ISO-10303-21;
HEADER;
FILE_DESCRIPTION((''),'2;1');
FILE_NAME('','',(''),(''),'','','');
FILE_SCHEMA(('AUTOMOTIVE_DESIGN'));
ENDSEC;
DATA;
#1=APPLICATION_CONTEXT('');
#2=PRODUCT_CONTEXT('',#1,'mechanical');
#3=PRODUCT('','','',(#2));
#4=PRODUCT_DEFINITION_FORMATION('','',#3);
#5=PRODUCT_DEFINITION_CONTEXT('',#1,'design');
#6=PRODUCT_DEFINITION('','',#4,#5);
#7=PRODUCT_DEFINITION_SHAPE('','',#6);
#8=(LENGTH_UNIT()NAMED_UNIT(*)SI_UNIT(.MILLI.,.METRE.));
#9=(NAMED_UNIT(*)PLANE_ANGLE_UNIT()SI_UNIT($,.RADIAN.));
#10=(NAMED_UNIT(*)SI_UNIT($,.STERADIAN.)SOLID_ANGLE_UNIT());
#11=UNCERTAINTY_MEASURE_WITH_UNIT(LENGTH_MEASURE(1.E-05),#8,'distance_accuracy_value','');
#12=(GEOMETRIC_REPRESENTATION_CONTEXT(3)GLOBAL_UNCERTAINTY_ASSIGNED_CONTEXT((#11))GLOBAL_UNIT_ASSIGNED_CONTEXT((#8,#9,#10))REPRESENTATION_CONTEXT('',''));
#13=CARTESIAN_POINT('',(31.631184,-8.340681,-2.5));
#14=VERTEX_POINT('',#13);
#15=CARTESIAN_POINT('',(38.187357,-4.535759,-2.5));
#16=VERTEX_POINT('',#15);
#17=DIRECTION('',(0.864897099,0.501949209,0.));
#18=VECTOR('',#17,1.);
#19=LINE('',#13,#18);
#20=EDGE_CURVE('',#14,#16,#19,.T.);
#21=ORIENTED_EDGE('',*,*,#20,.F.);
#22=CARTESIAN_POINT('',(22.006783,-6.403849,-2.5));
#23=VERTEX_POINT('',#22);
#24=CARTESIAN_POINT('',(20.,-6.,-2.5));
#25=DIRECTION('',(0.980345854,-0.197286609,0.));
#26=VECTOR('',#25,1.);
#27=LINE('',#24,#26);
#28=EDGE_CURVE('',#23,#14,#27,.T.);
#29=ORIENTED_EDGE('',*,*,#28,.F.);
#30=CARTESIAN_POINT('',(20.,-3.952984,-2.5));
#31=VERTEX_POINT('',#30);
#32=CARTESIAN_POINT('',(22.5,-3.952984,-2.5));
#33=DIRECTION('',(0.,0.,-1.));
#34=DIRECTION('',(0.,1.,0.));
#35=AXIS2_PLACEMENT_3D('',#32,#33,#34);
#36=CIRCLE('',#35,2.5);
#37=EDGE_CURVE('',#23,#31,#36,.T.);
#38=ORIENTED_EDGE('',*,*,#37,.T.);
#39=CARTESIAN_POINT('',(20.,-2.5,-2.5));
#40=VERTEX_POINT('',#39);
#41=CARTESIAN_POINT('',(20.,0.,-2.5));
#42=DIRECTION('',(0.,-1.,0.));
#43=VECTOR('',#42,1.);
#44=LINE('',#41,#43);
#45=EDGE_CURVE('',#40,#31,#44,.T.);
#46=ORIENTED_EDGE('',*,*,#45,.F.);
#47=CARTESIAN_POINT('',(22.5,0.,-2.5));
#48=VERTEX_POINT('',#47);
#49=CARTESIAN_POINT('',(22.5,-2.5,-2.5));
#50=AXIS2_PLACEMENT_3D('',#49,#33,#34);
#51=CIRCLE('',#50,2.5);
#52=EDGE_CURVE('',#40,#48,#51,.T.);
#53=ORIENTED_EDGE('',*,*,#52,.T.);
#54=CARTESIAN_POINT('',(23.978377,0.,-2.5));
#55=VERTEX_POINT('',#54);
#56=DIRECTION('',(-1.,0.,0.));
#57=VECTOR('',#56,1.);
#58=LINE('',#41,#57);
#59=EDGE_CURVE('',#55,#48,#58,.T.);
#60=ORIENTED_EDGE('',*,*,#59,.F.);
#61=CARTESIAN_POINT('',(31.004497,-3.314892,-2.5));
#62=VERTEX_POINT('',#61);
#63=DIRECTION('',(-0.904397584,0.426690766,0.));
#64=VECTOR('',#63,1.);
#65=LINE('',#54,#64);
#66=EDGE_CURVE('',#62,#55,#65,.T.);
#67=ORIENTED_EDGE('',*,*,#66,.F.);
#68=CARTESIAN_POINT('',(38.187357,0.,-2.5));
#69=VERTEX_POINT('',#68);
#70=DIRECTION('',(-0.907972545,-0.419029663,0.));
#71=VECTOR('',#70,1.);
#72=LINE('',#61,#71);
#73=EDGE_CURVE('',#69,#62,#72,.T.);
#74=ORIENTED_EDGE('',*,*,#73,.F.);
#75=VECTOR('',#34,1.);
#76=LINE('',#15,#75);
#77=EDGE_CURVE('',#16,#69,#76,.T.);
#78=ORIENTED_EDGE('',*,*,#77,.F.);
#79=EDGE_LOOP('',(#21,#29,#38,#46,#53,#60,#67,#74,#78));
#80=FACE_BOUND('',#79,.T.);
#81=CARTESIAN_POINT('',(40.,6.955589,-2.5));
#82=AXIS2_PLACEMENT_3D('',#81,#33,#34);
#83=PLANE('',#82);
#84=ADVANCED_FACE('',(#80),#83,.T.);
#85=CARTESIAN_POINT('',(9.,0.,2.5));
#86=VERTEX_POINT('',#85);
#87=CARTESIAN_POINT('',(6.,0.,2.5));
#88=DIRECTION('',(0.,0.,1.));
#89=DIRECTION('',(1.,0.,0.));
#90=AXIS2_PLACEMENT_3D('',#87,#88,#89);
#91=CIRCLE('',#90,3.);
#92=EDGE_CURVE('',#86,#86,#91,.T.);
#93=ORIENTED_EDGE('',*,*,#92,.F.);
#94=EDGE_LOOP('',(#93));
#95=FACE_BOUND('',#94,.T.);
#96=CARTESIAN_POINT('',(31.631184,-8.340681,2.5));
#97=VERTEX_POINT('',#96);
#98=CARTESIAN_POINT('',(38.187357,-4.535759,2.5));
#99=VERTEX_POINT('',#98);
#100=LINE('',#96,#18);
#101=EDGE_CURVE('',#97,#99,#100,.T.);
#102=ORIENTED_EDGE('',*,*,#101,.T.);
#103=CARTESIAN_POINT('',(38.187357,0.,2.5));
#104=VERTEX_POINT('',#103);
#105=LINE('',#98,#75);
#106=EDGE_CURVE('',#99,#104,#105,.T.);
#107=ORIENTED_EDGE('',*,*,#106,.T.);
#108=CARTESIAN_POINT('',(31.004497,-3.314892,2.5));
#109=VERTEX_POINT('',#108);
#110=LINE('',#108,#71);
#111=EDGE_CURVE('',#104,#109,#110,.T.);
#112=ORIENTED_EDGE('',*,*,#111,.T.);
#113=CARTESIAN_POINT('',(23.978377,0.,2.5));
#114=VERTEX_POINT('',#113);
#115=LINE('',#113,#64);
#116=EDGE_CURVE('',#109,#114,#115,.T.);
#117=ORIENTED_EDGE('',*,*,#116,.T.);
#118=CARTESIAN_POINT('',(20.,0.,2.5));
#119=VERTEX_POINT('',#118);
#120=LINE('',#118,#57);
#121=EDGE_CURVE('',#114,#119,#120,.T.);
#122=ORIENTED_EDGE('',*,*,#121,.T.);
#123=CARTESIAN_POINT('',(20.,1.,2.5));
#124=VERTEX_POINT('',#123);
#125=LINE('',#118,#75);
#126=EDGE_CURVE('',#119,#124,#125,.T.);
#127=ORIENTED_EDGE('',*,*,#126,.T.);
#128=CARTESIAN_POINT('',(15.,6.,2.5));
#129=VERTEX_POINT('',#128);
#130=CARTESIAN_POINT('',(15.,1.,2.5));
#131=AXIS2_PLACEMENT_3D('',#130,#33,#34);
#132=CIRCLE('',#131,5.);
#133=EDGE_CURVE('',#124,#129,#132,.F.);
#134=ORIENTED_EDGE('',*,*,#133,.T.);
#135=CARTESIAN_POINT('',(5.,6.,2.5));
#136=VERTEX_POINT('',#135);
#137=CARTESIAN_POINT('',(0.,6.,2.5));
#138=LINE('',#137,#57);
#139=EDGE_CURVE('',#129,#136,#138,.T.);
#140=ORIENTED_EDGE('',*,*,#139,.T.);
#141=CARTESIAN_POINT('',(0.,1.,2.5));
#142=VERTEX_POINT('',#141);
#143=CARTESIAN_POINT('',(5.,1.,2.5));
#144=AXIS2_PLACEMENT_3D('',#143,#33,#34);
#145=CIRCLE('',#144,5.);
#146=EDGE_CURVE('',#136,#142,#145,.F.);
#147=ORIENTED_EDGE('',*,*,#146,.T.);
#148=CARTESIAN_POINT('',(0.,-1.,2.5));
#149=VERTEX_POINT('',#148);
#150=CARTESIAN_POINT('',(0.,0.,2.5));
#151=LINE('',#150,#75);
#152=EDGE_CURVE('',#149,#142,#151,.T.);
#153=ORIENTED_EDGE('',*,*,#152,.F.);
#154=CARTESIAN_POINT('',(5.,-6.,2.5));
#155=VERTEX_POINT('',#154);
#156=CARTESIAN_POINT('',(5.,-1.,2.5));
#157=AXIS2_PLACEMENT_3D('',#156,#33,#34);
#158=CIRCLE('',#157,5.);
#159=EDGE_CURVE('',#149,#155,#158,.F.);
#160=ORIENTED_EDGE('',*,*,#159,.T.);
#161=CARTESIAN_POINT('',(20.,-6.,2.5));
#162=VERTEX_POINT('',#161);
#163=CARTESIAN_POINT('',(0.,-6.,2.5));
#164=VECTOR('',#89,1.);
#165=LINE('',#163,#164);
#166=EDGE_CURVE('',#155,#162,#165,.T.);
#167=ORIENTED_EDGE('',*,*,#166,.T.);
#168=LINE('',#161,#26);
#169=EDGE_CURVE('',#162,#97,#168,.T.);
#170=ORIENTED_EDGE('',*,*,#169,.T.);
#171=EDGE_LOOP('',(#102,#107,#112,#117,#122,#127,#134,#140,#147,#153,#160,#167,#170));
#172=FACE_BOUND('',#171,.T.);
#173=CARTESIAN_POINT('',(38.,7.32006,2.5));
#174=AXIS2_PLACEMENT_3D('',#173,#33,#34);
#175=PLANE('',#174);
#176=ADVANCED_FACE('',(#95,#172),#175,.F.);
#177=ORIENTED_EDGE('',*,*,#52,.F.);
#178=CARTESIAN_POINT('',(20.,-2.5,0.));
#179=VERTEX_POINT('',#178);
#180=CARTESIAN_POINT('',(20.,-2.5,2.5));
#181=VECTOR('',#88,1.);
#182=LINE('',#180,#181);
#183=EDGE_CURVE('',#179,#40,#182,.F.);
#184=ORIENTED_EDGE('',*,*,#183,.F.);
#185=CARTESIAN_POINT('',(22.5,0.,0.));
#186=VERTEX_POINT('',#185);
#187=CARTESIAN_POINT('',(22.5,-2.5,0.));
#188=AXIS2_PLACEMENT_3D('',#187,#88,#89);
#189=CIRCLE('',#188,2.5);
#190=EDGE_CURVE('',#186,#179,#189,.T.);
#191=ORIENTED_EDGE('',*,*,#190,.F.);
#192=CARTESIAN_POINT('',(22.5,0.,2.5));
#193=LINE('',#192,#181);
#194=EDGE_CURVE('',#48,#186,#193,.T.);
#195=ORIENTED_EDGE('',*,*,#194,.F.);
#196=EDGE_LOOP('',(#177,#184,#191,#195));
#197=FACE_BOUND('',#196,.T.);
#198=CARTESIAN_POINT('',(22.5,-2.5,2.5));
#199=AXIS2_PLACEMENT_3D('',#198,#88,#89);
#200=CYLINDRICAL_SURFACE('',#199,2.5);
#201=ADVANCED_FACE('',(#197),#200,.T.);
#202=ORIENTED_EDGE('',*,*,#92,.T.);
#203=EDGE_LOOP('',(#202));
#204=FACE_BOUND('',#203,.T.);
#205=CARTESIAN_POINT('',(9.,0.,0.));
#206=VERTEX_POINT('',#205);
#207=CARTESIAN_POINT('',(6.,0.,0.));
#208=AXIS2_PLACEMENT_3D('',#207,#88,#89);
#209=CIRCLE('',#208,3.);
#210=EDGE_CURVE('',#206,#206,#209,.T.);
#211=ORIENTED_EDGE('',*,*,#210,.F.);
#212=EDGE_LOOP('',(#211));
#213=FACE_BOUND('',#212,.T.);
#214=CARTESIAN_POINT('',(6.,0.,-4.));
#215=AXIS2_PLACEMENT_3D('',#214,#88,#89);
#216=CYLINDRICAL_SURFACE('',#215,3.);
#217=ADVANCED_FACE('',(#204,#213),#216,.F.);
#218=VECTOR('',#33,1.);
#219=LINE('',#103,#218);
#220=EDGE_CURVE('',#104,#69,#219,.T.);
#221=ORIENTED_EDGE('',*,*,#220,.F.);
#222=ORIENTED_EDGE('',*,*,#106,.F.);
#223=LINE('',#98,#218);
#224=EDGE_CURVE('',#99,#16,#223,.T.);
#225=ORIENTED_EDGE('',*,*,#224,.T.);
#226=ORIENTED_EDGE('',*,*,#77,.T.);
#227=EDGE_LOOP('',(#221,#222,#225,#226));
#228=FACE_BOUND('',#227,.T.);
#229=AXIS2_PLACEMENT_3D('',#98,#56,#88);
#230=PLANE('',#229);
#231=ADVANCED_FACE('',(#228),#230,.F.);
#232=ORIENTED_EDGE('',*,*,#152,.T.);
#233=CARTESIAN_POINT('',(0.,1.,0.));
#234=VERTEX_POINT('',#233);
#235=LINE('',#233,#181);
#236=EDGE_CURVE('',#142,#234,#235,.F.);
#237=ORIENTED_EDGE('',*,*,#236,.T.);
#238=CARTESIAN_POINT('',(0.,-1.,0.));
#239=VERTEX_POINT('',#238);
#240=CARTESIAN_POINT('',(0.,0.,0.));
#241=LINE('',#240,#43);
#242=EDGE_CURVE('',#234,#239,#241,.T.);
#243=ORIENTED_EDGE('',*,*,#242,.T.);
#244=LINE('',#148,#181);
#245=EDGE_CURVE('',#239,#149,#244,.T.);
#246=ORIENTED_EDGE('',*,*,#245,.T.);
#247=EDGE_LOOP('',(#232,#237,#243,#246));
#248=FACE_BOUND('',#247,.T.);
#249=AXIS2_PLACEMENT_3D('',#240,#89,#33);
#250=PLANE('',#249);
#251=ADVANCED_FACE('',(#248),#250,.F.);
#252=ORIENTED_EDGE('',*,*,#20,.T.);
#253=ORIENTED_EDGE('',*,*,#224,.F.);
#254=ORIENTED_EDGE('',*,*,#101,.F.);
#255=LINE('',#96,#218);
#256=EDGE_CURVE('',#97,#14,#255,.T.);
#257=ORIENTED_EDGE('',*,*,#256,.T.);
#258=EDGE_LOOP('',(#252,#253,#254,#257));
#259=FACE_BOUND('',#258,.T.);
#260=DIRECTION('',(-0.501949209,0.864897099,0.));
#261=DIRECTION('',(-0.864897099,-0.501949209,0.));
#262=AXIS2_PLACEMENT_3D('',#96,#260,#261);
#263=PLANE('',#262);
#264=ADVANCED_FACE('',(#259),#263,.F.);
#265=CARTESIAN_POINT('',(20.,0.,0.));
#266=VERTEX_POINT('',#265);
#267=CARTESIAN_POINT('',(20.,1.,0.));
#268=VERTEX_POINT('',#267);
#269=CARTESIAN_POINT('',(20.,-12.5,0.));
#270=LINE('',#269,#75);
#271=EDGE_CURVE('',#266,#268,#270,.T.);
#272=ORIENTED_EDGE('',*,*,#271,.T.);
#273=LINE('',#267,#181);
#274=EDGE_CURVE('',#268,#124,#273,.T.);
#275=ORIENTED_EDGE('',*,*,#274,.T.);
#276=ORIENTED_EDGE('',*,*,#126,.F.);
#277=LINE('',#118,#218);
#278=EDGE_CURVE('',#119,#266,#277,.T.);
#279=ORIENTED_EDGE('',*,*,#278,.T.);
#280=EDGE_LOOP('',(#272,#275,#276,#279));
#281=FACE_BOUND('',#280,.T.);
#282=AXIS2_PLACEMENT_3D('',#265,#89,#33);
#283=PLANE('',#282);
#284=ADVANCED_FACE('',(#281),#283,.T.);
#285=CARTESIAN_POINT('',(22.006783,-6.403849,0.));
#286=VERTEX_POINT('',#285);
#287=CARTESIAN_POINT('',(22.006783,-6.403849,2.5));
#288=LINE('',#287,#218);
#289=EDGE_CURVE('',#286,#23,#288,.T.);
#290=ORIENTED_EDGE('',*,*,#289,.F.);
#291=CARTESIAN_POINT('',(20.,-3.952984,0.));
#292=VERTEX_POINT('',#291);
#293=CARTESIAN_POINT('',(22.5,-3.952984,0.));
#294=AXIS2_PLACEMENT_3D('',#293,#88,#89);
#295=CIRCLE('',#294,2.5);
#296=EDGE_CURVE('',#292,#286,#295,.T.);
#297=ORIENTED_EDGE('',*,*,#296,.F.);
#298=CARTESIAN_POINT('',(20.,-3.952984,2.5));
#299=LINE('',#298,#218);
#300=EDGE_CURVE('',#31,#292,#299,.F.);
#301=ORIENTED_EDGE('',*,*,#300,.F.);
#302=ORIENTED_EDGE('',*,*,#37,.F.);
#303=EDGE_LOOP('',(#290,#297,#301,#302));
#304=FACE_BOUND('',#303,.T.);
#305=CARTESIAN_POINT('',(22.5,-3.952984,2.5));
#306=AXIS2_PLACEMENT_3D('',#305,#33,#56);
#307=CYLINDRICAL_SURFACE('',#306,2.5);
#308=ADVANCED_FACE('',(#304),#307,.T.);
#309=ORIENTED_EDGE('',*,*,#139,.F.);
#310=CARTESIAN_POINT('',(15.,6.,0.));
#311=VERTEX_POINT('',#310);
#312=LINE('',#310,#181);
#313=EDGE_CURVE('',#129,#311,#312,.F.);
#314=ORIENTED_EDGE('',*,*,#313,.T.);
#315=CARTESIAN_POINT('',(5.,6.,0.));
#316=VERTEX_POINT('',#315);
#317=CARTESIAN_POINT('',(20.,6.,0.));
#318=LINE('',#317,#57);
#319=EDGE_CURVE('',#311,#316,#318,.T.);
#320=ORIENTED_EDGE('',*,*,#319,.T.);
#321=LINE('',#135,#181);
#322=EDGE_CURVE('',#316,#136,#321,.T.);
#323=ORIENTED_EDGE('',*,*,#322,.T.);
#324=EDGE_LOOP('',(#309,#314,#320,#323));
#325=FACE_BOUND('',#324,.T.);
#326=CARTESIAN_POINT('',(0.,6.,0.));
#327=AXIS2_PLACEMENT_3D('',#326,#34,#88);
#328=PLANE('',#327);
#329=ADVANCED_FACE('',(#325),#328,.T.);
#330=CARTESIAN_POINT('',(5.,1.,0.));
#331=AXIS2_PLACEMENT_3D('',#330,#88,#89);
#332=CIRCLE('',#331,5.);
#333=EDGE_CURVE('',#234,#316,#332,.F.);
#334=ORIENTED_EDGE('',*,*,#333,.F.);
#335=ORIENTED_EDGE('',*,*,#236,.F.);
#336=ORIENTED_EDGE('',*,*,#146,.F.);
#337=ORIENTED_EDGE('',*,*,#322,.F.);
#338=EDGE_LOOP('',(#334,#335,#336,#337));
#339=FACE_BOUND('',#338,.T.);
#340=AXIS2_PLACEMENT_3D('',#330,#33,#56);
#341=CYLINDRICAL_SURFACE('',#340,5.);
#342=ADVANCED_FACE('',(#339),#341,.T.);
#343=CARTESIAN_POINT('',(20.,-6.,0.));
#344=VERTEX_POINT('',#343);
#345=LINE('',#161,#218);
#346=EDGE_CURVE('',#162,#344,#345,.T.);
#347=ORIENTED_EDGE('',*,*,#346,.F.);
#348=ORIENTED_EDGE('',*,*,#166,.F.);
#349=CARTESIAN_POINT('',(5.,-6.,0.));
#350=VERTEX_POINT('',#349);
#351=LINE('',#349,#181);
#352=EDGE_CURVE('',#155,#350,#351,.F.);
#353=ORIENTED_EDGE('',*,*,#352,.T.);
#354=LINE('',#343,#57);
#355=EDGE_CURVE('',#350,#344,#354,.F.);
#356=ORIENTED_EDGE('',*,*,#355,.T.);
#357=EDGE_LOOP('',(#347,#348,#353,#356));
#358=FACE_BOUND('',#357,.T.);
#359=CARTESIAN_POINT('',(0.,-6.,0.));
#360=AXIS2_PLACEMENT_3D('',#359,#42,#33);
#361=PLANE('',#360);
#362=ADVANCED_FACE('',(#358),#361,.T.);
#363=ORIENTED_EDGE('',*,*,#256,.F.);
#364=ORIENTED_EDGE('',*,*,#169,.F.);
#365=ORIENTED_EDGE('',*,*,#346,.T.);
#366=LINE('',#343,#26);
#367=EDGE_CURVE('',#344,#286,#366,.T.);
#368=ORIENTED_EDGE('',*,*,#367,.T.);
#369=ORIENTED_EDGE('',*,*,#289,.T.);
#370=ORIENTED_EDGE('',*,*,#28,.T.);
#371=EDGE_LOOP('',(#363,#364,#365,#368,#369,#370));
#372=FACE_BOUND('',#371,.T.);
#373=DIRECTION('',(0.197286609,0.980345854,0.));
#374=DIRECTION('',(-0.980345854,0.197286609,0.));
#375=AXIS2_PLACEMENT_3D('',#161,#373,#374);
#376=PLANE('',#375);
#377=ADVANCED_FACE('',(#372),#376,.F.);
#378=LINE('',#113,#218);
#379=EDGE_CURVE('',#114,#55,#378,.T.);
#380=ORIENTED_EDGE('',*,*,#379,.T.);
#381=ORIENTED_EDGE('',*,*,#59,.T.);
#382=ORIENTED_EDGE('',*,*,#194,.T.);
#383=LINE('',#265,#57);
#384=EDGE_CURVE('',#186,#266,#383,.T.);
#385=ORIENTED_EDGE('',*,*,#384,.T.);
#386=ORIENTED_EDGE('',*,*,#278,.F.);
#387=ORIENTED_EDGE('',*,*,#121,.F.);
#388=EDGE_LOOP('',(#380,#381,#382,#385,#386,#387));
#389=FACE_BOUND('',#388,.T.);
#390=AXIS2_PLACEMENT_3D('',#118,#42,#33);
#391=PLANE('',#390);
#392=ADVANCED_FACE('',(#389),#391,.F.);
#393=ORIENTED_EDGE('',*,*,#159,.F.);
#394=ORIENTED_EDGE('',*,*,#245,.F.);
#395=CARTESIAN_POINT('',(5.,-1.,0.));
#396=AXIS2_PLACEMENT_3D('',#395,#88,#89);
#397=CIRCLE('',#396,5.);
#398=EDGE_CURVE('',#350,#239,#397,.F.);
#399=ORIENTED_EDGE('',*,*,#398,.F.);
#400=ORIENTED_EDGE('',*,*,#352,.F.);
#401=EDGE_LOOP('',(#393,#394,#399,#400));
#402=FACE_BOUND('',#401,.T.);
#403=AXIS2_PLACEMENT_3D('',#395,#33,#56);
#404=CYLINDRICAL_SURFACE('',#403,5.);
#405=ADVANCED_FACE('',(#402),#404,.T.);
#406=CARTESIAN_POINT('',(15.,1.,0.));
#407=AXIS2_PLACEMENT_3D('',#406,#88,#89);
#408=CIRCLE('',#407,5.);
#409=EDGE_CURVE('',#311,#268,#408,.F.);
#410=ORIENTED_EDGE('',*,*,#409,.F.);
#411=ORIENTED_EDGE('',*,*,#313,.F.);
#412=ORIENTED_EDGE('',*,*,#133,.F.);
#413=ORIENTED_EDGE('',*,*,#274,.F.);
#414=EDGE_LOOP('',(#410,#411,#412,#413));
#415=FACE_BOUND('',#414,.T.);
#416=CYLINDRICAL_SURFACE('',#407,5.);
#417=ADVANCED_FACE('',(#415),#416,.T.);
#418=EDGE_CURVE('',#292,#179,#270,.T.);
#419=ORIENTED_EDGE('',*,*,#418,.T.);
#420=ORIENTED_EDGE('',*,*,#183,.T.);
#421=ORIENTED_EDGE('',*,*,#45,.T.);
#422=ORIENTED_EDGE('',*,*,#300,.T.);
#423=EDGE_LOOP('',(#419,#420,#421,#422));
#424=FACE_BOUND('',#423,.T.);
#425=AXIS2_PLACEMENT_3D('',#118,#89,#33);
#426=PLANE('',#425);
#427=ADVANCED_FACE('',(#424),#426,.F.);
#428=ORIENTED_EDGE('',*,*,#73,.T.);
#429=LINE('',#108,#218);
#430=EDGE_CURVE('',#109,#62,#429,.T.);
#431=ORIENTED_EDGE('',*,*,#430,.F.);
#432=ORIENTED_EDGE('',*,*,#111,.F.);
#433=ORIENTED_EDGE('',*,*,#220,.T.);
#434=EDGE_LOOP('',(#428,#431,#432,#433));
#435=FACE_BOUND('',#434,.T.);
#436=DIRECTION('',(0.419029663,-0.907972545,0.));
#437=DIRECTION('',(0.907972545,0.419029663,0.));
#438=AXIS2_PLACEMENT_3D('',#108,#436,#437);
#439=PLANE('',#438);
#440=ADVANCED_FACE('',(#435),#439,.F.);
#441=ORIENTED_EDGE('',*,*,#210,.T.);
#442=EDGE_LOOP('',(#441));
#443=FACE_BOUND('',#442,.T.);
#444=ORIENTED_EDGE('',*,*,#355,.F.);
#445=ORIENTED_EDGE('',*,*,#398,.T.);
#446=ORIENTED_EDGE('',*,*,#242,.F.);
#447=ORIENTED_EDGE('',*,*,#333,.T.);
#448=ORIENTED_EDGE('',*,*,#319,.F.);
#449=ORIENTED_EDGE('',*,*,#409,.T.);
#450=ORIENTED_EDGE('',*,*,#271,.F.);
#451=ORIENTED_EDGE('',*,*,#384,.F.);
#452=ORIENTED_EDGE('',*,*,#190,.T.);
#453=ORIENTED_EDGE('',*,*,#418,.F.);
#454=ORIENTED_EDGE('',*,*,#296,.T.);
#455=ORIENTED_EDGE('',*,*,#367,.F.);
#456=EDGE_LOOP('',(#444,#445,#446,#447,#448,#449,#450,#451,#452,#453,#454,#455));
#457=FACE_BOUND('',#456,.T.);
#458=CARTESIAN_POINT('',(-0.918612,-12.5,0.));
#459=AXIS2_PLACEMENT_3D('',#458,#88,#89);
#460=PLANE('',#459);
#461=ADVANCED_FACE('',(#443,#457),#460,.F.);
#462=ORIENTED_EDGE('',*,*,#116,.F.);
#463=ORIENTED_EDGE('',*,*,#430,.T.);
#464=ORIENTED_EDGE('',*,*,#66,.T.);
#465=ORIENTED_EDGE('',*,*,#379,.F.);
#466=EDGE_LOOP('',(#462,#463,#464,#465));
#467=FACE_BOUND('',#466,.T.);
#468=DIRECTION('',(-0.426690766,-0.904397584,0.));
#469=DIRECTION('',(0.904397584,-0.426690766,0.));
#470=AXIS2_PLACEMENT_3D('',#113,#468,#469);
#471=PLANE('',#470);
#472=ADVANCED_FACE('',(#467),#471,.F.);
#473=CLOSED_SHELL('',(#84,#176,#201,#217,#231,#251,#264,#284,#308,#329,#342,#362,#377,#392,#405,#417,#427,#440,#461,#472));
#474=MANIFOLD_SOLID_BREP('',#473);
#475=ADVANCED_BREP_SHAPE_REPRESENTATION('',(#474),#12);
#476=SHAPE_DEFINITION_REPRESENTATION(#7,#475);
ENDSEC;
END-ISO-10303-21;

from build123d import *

# Parameters (mm, degrees)
SKETCH1_R           = 6
BOSS_EXTRUDE1_DEPTH = 20
SKETCH3_W           = 4.335084662
SKETCH3_H           = 14.058639044
CUT_EXTRUDE1_DEPTH  = 38
SKETCH4_R           = 3
CUT_EXTRUDE2_DEPTH  = 8
SKETCH5_W           = 6.88313448
SKETCH5_H           = 14.671944549
CUT_EXTRUDE3_DEPTH  = 40
BOSS_EXTRUDE3_DEPTH = 2.5
SKETCH8_W           = 20.918612023
SKETCH8_H           = 4.062773159
CUT_EXTRUDE4_DEPTH  = 12.5
SKETCH9_W           = 20
SKETCH9_H           = 12
BOSS_EXTRUDE4_DEPTH = 2.5
FILLET1_R           = 5
SKETCH10_R          = 3
CUT_EXTRUDE5_DEPTH  = 6.5
FILLET2_R           = 2.5


with BuildPart() as part:
    # Sketch1 → Boss-Extrude1 (new body)
    with BuildSketch(Plane(origin=(0, 0, 0), x_dir=(0, 0, -1), z_dir=(1, 0, 0))):
        Circle(SKETCH1_R)
    extrude(amount=BOSS_EXTRUDE1_DEPTH)

    # Sketch3 → Cut-Extrude1 (cut)
    with BuildSketch(Plane.ZY):
        with Locations((4.667542331, 0.290740447)):
            Rectangle(SKETCH3_W, SKETCH3_H)
    extrude(amount=-CUT_EXTRUDE1_DEPTH, mode=Mode.SUBTRACT)

    # Sketch4 → Cut-Extrude2 (cut)
    with BuildSketch(Plane.XY.offset(2.5)):
        with Locations((5, 0)):
            Circle(SKETCH4_R)
    extrude(amount=-CUT_EXTRUDE2_DEPTH, mode=Mode.SUBTRACT)

    # Sketch5 → Cut-Extrude3 (cut)
    with BuildSketch(Plane(origin=(0, 0, 0), x_dir=(0, 0, -1), z_dir=(1, 0, 0))):
        with Locations((5.94156724, -0.380383747)):
            Rectangle(SKETCH5_W, SKETCH5_H)
    extrude(amount=CUT_EXTRUDE3_DEPTH, mode=Mode.SUBTRACT)

    # Sketch7 → Boss-Extrude3 (add, symmetric)
    with BuildSketch(Plane.XY):
        Polygon((20, 0), (20, -6), (31.63118386, -8.340680909), (38.187356623, -4.535759216), (38.187356623, 0), (31.004497384, -3.314892174), (23.978377494, 0), align=None)
    extrude(amount=BOSS_EXTRUDE3_DEPTH, both=True)

    # Sketch8 → Cut-Extrude4 (cut, symmetric)
    with BuildSketch(Plane(origin=(0, 0, 0), x_dir=(1, 0, 0), z_dir=(0, 1, 0))):
        with Locations((9.540693988, 2.03138658)):
            Rectangle(SKETCH8_W, SKETCH8_H)
    extrude(amount=CUT_EXTRUDE4_DEPTH, both=True, mode=Mode.SUBTRACT)

    # Sketch9 → Boss-Extrude4 (add)
    with BuildSketch(Plane.XY.offset(2.5)):
        with Locations((10, 0)):
            Rectangle(SKETCH9_W, SKETCH9_H)
    extrude(amount=-BOSS_EXTRUDE4_DEPTH)

    # Fillet1
    fillet1_edges = [part.edges().sort_by_distance(p)[0] for p in [
        (0, 6, 1.25),
        (0, -6, 1.25),
        (20, 6, 1.25),
    ]]
    fillet(fillet1_edges, radius=FILLET1_R)

    # Sketch10 → Cut-Extrude5 (cut)
    with BuildSketch(Plane.XY.offset(2.5)):
        with Locations((6, 0)):
            Circle(SKETCH10_R)
    extrude(amount=-CUT_EXTRUDE5_DEPTH, mode=Mode.SUBTRACT)

    # Fillet2
    fillet2_edges = [part.edges().sort_by_distance(p)[0] for p in [
        (20, -6, -1.25),
        (20, 0, -1.25),
    ]]
    fillet(fillet2_edges, radius=FILLET2_R)


solid = part.part
